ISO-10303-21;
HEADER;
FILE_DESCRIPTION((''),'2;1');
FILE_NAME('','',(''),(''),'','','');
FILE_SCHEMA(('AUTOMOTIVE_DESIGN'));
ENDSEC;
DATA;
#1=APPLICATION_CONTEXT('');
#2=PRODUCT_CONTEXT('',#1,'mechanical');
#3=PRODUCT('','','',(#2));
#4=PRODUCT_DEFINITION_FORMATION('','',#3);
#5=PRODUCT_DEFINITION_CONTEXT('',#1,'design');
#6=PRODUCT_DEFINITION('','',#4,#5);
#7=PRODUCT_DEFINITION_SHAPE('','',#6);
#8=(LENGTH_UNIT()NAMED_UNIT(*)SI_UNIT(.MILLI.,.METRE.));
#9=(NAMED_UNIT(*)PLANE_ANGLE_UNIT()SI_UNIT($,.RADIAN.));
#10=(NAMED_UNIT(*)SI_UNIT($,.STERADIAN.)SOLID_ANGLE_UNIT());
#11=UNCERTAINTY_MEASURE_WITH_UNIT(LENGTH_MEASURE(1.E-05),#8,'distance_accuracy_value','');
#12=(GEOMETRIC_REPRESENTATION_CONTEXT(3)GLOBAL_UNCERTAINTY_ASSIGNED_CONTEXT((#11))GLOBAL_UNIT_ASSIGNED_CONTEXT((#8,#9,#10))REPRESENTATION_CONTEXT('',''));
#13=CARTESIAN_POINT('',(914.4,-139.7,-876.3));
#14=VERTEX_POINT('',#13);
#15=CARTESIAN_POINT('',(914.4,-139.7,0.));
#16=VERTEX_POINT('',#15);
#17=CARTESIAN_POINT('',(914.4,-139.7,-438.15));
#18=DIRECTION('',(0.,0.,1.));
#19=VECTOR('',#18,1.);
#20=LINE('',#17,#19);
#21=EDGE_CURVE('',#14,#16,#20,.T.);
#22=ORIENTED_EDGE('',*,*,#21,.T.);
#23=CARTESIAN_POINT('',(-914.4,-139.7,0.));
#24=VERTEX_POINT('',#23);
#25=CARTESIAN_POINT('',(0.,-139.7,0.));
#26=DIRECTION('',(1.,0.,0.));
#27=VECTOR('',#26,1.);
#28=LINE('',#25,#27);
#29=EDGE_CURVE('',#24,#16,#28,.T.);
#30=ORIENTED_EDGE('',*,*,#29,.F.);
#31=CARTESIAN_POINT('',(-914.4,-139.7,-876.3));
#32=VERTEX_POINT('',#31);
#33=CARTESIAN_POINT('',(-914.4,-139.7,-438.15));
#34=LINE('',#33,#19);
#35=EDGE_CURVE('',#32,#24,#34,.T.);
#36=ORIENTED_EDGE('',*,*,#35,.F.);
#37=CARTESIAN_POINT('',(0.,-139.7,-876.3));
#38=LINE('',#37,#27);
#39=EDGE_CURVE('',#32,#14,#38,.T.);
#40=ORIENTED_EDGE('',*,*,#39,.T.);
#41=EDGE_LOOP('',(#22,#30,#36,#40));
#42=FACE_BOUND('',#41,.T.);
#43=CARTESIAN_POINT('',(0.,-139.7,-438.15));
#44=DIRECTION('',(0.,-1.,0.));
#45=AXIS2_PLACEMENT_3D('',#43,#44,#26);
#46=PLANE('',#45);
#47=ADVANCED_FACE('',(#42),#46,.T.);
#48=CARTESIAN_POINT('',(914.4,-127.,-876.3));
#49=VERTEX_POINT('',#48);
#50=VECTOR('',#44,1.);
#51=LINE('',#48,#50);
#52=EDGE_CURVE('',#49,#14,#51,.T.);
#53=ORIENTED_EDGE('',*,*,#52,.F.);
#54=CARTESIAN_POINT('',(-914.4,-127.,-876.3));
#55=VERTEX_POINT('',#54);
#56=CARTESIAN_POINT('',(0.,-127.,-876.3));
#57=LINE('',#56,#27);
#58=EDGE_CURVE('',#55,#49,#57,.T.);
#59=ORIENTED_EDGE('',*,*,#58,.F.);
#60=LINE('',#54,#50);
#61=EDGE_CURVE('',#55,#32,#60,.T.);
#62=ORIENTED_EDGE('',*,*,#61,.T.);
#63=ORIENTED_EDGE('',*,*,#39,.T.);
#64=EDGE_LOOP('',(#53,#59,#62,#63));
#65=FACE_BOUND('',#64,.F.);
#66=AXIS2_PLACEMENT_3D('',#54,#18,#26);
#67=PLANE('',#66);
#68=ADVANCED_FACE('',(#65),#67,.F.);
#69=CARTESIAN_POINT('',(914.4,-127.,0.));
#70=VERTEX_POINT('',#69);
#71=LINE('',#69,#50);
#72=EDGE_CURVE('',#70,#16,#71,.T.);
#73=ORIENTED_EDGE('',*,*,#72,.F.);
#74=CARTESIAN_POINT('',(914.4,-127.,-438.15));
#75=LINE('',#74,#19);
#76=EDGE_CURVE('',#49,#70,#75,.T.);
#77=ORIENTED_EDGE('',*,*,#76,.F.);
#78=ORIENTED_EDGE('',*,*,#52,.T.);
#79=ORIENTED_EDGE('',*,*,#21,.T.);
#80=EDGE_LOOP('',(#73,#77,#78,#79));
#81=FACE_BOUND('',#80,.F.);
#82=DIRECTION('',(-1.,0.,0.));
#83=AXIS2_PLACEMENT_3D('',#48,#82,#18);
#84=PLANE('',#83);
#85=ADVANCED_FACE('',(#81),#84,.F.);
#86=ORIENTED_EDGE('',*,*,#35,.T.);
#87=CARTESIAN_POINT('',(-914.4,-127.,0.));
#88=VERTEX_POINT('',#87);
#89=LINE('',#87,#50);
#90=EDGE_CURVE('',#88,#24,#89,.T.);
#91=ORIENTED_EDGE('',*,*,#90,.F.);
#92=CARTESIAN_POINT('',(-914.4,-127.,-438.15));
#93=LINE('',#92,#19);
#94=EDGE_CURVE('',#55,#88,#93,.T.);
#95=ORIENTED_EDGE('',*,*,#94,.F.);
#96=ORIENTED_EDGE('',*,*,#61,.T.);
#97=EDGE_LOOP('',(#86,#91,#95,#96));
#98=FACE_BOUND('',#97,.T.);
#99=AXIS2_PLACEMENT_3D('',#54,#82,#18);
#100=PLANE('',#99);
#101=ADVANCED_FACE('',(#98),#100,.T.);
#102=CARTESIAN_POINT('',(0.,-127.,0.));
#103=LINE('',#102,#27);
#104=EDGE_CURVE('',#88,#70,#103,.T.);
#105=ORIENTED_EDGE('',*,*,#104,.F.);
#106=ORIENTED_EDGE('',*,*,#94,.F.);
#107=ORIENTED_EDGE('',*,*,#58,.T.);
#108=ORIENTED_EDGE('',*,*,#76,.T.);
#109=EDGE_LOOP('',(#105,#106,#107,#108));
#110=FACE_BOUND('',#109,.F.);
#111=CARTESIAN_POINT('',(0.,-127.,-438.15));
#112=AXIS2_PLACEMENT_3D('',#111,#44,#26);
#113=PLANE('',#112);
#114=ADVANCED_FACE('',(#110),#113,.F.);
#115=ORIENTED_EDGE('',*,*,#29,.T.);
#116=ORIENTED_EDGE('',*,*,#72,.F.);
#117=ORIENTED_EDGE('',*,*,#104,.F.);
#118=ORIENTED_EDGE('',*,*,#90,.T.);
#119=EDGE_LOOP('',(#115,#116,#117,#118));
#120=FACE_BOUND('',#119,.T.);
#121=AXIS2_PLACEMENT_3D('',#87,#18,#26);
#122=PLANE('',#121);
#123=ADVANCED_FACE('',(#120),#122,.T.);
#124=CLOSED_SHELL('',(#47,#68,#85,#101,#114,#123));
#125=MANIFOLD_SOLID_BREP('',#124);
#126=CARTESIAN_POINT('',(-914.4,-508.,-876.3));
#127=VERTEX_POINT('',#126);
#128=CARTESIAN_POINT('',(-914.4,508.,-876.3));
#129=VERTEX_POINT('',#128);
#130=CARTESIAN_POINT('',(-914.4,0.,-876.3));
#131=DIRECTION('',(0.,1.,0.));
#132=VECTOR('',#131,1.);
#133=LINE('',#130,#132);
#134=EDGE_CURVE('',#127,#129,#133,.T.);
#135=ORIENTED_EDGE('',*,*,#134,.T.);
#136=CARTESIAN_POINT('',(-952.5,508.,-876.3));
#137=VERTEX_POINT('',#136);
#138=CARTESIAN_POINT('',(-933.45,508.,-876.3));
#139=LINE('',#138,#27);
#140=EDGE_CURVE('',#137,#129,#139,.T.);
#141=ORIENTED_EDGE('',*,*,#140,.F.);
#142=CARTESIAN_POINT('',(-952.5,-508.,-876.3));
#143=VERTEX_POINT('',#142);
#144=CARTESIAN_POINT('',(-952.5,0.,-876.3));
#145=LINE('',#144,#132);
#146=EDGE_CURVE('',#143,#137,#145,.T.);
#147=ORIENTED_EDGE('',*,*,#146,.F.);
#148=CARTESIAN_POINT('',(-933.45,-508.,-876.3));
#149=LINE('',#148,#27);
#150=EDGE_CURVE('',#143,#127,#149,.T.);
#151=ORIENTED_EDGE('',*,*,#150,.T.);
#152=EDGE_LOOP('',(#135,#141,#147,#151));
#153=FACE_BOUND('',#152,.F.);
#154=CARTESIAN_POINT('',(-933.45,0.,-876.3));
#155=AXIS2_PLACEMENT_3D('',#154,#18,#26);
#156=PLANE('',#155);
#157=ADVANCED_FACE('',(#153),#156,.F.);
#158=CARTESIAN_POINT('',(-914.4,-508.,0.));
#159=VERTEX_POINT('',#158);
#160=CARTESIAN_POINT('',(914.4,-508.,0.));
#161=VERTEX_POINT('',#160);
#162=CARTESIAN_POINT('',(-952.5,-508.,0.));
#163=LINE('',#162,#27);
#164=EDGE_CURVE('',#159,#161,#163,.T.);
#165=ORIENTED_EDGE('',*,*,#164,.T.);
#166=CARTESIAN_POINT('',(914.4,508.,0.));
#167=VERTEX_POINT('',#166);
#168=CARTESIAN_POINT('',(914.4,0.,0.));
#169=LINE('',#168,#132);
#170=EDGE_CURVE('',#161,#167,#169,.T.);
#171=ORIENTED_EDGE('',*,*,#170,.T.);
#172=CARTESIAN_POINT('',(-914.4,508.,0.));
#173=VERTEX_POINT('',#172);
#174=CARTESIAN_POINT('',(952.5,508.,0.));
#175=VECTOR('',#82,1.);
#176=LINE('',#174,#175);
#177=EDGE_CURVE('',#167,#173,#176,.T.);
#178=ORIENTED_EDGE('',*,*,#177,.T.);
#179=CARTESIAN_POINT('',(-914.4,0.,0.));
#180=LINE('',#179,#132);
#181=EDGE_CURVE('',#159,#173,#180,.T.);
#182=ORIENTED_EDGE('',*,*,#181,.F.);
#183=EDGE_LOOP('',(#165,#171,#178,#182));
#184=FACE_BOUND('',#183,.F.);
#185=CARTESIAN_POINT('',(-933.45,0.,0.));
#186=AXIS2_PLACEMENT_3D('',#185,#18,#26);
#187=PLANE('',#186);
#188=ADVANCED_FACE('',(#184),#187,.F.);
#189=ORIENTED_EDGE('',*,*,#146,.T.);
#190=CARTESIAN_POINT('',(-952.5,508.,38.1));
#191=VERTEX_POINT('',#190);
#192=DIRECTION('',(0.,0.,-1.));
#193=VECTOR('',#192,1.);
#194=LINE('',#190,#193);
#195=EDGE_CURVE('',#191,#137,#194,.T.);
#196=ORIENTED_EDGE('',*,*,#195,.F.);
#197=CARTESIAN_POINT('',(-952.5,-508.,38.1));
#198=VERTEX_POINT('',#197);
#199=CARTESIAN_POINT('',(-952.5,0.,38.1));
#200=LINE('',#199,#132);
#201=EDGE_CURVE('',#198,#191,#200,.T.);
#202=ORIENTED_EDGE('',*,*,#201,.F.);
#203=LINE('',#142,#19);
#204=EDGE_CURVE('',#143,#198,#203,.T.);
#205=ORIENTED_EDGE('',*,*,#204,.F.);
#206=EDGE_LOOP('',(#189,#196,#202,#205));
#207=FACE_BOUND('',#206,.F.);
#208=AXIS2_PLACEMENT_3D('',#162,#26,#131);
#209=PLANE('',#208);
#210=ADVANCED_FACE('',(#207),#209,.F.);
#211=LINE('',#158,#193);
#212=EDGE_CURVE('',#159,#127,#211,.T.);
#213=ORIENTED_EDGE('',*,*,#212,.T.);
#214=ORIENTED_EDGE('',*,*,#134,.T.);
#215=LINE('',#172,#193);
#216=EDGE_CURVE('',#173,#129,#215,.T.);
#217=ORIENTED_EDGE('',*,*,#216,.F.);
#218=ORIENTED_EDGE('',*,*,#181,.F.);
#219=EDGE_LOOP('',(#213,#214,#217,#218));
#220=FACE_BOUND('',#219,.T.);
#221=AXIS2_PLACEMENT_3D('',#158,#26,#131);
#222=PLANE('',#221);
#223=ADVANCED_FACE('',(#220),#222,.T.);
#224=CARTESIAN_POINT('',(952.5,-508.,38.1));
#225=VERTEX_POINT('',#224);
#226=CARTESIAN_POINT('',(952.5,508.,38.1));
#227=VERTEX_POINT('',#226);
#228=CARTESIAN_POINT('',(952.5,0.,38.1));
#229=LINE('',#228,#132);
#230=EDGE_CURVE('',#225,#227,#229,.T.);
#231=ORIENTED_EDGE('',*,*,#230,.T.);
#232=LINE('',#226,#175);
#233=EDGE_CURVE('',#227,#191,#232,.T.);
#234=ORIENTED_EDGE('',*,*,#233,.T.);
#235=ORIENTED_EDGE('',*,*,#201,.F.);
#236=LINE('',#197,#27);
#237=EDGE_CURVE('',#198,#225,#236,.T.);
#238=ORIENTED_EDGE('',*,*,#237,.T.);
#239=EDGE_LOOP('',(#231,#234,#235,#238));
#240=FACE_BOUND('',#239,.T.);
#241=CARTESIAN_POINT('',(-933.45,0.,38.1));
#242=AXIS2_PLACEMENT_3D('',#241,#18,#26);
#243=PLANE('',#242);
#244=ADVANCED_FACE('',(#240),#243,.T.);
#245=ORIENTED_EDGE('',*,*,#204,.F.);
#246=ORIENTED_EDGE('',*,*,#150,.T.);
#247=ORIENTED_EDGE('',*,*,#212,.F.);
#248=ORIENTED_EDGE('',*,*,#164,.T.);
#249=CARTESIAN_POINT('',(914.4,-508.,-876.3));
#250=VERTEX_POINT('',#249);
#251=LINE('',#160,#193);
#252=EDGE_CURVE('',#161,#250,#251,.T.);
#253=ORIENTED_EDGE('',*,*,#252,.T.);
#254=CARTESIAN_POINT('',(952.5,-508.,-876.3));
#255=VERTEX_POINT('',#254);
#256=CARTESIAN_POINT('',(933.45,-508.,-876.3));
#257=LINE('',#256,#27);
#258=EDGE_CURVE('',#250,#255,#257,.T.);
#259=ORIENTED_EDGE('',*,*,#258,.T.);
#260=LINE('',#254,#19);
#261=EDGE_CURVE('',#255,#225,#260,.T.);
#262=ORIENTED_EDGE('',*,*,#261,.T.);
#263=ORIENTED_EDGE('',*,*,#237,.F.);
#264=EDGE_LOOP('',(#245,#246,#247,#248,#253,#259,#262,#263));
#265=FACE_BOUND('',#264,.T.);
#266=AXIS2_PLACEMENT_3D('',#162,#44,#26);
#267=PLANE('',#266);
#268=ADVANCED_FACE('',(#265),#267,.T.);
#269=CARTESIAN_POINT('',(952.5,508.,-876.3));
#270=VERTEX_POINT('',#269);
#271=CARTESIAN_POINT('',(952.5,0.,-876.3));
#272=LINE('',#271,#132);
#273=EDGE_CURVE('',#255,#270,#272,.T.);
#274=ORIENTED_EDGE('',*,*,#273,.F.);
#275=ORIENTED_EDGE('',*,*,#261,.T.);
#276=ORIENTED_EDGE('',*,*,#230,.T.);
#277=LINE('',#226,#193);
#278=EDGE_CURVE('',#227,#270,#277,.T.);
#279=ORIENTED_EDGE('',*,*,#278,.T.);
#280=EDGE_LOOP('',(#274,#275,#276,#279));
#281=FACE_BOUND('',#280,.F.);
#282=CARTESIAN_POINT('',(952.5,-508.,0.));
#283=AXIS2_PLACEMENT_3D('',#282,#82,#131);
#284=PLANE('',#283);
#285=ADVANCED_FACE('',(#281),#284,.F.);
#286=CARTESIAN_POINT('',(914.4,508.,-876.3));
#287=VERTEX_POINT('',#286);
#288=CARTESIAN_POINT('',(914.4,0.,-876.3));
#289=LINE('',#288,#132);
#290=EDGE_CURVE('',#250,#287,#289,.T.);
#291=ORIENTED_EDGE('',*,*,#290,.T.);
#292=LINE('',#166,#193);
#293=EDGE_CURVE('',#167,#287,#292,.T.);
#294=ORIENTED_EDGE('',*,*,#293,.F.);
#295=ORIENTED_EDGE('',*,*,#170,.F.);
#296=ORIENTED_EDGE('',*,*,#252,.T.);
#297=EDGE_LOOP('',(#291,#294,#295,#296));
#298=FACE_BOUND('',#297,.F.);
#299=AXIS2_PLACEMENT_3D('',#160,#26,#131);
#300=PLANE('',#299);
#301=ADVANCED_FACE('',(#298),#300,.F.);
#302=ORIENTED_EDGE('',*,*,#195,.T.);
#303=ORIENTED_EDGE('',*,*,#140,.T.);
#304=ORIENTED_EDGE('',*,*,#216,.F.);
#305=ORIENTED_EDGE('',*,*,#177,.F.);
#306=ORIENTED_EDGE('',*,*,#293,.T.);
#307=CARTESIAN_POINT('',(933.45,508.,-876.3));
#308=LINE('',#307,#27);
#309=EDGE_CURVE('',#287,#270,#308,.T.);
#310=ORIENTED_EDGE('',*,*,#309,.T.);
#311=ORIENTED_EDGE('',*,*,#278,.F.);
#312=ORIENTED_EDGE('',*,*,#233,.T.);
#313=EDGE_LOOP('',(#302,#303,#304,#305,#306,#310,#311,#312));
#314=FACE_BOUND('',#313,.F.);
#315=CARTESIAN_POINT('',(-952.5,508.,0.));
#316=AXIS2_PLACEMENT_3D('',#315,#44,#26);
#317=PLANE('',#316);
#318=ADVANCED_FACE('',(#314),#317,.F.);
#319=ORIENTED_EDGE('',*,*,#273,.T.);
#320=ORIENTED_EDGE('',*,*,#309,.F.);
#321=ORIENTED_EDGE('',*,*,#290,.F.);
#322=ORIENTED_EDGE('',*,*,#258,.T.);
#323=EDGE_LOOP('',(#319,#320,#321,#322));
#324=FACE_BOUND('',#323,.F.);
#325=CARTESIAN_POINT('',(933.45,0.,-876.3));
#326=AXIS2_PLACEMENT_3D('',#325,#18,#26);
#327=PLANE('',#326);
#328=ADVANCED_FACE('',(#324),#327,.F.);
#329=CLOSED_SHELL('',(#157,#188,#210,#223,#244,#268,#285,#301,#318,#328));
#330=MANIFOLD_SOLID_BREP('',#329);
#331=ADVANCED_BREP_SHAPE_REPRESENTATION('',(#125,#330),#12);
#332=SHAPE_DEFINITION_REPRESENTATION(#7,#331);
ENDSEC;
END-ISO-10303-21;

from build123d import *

# Parameters (mm, degrees)
F0_W     = 38.1
F0_H     = 1016
F0_W_2   = 1828.8
F1_DEPTH = 38.1
F2_DEPTH = 876.3
F4_W     = 1828.8
F4_H     = 876.3
F5_DEPTH = 12.7


with BuildPart() as f1:
    # F0 (on Top) → F1 (new body)
    with BuildSketch(Plane.XY):
        with Locations((-933.45, 0)):
            Rectangle(F0_W, F0_H)
        Rectangle(F0_W_2, F0_H)
        with Locations((933.45, 0)):
            Rectangle(F0_W, F0_H)
    extrude(amount=F1_DEPTH)

    # F0 (on Top) → F2 (join)
    with BuildSketch(Plane.XY):
        with Locations((-933.45, 0)):
            Rectangle(F0_W, F0_H)
        with Locations((933.45, 0)):
            Rectangle(F0_W, F0_H)
    extrude(amount=-F2_DEPTH)


with BuildPart() as f5:
    # F4 (on offset) → F5 (new body)
    with BuildSketch(Plane.XZ.offset(127)):
        with Locations((0, -438.15)):
            Rectangle(F4_W, F4_H)
    extrude(amount=F5_DEPTH)


solid = Compound([f1.part, f5.part])
